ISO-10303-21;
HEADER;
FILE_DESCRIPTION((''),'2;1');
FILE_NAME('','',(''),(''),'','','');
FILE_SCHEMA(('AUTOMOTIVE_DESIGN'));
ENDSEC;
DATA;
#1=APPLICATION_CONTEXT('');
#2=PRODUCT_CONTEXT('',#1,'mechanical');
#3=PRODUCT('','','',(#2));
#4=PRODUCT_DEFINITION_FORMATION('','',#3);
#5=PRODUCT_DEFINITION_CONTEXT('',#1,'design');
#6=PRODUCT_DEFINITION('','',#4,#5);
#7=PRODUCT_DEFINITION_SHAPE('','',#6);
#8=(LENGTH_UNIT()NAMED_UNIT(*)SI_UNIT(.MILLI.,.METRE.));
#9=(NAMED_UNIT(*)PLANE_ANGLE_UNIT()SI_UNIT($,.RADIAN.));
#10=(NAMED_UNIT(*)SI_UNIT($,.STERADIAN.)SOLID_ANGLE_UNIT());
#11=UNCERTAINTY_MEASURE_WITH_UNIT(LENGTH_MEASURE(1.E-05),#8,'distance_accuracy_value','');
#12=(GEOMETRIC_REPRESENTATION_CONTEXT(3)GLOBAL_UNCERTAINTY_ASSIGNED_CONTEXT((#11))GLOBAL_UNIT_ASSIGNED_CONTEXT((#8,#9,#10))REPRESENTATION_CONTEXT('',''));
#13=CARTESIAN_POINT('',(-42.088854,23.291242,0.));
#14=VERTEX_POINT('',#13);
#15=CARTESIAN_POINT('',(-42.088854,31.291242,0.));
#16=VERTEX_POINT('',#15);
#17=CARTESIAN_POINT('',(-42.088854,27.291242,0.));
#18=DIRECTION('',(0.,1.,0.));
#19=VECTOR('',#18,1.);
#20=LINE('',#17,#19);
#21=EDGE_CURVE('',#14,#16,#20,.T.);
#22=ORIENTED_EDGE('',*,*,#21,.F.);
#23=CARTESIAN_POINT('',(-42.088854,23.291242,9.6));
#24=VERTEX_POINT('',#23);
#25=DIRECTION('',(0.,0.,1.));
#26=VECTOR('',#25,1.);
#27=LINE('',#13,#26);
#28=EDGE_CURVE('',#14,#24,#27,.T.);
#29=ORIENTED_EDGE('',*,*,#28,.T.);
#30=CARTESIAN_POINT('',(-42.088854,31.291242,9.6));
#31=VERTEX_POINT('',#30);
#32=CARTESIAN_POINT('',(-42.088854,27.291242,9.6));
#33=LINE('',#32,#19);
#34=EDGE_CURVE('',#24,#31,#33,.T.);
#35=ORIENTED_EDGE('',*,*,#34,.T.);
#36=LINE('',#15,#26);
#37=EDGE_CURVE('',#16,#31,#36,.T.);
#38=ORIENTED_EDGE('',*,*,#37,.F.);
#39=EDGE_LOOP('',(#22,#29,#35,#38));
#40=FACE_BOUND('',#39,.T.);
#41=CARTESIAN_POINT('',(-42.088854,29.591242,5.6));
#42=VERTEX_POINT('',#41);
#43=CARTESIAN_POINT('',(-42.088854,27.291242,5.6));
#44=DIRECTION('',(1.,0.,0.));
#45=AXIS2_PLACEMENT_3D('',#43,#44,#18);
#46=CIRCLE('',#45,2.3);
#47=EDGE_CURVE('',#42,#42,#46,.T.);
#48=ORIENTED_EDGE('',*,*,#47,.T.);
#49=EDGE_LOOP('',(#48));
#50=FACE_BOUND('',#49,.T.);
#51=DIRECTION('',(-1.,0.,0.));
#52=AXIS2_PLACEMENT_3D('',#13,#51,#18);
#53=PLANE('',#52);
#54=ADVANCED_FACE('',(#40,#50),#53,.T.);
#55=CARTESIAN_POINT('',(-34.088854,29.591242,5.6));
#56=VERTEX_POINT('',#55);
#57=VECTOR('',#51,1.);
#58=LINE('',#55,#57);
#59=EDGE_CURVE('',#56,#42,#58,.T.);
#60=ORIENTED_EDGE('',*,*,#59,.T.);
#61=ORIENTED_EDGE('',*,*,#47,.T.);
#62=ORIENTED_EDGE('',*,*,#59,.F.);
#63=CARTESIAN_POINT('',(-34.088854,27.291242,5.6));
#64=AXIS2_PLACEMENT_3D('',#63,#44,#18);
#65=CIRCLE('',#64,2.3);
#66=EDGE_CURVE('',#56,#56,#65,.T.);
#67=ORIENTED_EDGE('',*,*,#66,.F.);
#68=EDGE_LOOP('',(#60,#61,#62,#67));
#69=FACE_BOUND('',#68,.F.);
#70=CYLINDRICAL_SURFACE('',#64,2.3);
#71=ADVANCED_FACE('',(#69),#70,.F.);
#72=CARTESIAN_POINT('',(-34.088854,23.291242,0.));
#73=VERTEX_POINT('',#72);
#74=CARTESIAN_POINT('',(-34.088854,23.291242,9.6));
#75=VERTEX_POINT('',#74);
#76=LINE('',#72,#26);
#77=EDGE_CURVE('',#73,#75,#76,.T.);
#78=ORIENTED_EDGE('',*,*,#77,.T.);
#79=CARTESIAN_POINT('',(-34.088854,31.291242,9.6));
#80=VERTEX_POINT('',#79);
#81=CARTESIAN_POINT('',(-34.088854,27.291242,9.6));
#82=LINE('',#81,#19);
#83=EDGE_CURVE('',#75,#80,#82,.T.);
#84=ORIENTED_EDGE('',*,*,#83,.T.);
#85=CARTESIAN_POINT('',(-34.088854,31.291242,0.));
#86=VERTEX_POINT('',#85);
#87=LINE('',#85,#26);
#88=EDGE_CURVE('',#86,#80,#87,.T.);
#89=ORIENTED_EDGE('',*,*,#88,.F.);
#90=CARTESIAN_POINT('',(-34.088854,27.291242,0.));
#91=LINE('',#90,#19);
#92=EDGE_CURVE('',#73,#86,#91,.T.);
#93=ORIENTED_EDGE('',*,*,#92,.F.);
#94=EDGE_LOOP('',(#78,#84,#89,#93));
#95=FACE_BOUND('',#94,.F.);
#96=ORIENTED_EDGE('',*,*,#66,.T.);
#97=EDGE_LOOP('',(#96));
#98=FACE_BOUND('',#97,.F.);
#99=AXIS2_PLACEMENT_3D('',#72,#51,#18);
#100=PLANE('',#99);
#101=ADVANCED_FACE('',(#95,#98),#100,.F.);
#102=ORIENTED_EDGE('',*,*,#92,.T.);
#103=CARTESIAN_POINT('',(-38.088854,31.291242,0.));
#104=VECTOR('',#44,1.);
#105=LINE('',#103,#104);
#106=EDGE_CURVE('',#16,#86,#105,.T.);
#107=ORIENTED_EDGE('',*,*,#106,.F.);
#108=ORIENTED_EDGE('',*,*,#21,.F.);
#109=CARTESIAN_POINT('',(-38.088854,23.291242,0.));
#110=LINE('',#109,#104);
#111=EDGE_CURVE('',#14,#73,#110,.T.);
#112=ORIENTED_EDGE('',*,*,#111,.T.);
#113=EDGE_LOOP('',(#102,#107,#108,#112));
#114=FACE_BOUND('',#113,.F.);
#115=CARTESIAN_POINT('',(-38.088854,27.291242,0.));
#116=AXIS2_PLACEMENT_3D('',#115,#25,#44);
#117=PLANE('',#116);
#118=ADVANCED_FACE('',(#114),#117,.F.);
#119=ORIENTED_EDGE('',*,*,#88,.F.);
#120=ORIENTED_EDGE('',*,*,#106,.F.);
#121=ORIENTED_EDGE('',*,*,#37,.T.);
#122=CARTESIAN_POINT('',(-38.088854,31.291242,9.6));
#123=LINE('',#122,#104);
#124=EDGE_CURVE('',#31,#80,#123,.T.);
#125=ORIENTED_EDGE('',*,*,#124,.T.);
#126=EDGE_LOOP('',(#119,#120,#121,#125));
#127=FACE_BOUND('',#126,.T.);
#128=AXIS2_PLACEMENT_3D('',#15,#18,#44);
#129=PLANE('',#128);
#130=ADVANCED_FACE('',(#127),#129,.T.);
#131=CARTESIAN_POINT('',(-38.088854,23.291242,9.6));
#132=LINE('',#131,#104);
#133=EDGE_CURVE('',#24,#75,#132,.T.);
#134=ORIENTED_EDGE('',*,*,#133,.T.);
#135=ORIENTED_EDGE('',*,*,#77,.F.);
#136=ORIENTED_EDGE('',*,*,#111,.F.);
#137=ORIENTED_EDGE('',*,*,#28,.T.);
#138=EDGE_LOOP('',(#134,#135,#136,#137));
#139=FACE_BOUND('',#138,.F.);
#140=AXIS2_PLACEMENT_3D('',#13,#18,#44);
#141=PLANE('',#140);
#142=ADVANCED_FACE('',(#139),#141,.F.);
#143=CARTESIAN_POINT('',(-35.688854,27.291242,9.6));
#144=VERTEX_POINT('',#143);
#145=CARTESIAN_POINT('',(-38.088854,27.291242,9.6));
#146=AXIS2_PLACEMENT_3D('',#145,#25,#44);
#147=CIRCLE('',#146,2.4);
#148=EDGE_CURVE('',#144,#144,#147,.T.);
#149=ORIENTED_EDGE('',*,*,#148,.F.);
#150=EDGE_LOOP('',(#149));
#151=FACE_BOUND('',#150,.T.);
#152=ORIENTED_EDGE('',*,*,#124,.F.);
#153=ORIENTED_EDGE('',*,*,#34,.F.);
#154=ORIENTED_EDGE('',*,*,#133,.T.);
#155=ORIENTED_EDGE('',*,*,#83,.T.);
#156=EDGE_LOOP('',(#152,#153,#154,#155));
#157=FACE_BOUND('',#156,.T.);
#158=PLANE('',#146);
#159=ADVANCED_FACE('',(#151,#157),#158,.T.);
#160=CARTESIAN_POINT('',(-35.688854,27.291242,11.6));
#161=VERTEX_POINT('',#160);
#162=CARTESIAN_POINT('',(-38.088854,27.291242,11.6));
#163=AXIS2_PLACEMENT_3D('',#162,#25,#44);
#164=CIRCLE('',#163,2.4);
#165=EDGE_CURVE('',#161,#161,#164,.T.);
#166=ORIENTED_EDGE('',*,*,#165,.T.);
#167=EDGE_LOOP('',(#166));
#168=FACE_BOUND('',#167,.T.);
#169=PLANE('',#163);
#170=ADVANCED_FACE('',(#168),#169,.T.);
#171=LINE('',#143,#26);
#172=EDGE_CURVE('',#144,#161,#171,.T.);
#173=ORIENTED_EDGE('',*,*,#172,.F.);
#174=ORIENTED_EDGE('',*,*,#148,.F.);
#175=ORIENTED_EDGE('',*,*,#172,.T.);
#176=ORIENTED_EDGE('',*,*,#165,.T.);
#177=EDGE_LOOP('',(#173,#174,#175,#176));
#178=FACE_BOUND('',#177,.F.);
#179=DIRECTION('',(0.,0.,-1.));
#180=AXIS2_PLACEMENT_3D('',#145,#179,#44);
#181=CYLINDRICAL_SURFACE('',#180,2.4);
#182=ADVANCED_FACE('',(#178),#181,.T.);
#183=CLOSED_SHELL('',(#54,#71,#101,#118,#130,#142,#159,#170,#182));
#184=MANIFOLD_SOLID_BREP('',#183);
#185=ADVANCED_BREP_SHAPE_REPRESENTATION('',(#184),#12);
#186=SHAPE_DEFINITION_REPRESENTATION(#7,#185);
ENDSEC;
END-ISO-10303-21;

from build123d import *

# Parameters (mm, degrees)
F0_W     = 8
F0_H     = 8
F1_DEPTH = 9.6
F2_R     = 2.3
F3_DEPTH = 25
F4_R     = 2.4
F5_DEPTH = 2


with BuildPart() as f1:
    # F0 (on Top) → F1 (new body)
    with BuildSketch(Plane.XY):
        with Locations((-38.088854, 27.291242)):
            Rectangle(F0_W, F0_H)
    extrude(amount=F1_DEPTH)

    # F2 (on face) → F3 (cut)
    with BuildSketch(Plane.YZ.offset(-34.088854)):
        with Locations((27.291242, 5.6)):
            Circle(F2_R)
    extrude(amount=-F3_DEPTH, mode=Mode.SUBTRACT)

    # F4 (on face) → F5 (join)
    with BuildSketch(Plane.XY.offset(9.6)):
        with Locations((-38.088854, 27.291242)):
            Circle(F4_R)
    extrude(amount=F5_DEPTH)


solid = f1.part
